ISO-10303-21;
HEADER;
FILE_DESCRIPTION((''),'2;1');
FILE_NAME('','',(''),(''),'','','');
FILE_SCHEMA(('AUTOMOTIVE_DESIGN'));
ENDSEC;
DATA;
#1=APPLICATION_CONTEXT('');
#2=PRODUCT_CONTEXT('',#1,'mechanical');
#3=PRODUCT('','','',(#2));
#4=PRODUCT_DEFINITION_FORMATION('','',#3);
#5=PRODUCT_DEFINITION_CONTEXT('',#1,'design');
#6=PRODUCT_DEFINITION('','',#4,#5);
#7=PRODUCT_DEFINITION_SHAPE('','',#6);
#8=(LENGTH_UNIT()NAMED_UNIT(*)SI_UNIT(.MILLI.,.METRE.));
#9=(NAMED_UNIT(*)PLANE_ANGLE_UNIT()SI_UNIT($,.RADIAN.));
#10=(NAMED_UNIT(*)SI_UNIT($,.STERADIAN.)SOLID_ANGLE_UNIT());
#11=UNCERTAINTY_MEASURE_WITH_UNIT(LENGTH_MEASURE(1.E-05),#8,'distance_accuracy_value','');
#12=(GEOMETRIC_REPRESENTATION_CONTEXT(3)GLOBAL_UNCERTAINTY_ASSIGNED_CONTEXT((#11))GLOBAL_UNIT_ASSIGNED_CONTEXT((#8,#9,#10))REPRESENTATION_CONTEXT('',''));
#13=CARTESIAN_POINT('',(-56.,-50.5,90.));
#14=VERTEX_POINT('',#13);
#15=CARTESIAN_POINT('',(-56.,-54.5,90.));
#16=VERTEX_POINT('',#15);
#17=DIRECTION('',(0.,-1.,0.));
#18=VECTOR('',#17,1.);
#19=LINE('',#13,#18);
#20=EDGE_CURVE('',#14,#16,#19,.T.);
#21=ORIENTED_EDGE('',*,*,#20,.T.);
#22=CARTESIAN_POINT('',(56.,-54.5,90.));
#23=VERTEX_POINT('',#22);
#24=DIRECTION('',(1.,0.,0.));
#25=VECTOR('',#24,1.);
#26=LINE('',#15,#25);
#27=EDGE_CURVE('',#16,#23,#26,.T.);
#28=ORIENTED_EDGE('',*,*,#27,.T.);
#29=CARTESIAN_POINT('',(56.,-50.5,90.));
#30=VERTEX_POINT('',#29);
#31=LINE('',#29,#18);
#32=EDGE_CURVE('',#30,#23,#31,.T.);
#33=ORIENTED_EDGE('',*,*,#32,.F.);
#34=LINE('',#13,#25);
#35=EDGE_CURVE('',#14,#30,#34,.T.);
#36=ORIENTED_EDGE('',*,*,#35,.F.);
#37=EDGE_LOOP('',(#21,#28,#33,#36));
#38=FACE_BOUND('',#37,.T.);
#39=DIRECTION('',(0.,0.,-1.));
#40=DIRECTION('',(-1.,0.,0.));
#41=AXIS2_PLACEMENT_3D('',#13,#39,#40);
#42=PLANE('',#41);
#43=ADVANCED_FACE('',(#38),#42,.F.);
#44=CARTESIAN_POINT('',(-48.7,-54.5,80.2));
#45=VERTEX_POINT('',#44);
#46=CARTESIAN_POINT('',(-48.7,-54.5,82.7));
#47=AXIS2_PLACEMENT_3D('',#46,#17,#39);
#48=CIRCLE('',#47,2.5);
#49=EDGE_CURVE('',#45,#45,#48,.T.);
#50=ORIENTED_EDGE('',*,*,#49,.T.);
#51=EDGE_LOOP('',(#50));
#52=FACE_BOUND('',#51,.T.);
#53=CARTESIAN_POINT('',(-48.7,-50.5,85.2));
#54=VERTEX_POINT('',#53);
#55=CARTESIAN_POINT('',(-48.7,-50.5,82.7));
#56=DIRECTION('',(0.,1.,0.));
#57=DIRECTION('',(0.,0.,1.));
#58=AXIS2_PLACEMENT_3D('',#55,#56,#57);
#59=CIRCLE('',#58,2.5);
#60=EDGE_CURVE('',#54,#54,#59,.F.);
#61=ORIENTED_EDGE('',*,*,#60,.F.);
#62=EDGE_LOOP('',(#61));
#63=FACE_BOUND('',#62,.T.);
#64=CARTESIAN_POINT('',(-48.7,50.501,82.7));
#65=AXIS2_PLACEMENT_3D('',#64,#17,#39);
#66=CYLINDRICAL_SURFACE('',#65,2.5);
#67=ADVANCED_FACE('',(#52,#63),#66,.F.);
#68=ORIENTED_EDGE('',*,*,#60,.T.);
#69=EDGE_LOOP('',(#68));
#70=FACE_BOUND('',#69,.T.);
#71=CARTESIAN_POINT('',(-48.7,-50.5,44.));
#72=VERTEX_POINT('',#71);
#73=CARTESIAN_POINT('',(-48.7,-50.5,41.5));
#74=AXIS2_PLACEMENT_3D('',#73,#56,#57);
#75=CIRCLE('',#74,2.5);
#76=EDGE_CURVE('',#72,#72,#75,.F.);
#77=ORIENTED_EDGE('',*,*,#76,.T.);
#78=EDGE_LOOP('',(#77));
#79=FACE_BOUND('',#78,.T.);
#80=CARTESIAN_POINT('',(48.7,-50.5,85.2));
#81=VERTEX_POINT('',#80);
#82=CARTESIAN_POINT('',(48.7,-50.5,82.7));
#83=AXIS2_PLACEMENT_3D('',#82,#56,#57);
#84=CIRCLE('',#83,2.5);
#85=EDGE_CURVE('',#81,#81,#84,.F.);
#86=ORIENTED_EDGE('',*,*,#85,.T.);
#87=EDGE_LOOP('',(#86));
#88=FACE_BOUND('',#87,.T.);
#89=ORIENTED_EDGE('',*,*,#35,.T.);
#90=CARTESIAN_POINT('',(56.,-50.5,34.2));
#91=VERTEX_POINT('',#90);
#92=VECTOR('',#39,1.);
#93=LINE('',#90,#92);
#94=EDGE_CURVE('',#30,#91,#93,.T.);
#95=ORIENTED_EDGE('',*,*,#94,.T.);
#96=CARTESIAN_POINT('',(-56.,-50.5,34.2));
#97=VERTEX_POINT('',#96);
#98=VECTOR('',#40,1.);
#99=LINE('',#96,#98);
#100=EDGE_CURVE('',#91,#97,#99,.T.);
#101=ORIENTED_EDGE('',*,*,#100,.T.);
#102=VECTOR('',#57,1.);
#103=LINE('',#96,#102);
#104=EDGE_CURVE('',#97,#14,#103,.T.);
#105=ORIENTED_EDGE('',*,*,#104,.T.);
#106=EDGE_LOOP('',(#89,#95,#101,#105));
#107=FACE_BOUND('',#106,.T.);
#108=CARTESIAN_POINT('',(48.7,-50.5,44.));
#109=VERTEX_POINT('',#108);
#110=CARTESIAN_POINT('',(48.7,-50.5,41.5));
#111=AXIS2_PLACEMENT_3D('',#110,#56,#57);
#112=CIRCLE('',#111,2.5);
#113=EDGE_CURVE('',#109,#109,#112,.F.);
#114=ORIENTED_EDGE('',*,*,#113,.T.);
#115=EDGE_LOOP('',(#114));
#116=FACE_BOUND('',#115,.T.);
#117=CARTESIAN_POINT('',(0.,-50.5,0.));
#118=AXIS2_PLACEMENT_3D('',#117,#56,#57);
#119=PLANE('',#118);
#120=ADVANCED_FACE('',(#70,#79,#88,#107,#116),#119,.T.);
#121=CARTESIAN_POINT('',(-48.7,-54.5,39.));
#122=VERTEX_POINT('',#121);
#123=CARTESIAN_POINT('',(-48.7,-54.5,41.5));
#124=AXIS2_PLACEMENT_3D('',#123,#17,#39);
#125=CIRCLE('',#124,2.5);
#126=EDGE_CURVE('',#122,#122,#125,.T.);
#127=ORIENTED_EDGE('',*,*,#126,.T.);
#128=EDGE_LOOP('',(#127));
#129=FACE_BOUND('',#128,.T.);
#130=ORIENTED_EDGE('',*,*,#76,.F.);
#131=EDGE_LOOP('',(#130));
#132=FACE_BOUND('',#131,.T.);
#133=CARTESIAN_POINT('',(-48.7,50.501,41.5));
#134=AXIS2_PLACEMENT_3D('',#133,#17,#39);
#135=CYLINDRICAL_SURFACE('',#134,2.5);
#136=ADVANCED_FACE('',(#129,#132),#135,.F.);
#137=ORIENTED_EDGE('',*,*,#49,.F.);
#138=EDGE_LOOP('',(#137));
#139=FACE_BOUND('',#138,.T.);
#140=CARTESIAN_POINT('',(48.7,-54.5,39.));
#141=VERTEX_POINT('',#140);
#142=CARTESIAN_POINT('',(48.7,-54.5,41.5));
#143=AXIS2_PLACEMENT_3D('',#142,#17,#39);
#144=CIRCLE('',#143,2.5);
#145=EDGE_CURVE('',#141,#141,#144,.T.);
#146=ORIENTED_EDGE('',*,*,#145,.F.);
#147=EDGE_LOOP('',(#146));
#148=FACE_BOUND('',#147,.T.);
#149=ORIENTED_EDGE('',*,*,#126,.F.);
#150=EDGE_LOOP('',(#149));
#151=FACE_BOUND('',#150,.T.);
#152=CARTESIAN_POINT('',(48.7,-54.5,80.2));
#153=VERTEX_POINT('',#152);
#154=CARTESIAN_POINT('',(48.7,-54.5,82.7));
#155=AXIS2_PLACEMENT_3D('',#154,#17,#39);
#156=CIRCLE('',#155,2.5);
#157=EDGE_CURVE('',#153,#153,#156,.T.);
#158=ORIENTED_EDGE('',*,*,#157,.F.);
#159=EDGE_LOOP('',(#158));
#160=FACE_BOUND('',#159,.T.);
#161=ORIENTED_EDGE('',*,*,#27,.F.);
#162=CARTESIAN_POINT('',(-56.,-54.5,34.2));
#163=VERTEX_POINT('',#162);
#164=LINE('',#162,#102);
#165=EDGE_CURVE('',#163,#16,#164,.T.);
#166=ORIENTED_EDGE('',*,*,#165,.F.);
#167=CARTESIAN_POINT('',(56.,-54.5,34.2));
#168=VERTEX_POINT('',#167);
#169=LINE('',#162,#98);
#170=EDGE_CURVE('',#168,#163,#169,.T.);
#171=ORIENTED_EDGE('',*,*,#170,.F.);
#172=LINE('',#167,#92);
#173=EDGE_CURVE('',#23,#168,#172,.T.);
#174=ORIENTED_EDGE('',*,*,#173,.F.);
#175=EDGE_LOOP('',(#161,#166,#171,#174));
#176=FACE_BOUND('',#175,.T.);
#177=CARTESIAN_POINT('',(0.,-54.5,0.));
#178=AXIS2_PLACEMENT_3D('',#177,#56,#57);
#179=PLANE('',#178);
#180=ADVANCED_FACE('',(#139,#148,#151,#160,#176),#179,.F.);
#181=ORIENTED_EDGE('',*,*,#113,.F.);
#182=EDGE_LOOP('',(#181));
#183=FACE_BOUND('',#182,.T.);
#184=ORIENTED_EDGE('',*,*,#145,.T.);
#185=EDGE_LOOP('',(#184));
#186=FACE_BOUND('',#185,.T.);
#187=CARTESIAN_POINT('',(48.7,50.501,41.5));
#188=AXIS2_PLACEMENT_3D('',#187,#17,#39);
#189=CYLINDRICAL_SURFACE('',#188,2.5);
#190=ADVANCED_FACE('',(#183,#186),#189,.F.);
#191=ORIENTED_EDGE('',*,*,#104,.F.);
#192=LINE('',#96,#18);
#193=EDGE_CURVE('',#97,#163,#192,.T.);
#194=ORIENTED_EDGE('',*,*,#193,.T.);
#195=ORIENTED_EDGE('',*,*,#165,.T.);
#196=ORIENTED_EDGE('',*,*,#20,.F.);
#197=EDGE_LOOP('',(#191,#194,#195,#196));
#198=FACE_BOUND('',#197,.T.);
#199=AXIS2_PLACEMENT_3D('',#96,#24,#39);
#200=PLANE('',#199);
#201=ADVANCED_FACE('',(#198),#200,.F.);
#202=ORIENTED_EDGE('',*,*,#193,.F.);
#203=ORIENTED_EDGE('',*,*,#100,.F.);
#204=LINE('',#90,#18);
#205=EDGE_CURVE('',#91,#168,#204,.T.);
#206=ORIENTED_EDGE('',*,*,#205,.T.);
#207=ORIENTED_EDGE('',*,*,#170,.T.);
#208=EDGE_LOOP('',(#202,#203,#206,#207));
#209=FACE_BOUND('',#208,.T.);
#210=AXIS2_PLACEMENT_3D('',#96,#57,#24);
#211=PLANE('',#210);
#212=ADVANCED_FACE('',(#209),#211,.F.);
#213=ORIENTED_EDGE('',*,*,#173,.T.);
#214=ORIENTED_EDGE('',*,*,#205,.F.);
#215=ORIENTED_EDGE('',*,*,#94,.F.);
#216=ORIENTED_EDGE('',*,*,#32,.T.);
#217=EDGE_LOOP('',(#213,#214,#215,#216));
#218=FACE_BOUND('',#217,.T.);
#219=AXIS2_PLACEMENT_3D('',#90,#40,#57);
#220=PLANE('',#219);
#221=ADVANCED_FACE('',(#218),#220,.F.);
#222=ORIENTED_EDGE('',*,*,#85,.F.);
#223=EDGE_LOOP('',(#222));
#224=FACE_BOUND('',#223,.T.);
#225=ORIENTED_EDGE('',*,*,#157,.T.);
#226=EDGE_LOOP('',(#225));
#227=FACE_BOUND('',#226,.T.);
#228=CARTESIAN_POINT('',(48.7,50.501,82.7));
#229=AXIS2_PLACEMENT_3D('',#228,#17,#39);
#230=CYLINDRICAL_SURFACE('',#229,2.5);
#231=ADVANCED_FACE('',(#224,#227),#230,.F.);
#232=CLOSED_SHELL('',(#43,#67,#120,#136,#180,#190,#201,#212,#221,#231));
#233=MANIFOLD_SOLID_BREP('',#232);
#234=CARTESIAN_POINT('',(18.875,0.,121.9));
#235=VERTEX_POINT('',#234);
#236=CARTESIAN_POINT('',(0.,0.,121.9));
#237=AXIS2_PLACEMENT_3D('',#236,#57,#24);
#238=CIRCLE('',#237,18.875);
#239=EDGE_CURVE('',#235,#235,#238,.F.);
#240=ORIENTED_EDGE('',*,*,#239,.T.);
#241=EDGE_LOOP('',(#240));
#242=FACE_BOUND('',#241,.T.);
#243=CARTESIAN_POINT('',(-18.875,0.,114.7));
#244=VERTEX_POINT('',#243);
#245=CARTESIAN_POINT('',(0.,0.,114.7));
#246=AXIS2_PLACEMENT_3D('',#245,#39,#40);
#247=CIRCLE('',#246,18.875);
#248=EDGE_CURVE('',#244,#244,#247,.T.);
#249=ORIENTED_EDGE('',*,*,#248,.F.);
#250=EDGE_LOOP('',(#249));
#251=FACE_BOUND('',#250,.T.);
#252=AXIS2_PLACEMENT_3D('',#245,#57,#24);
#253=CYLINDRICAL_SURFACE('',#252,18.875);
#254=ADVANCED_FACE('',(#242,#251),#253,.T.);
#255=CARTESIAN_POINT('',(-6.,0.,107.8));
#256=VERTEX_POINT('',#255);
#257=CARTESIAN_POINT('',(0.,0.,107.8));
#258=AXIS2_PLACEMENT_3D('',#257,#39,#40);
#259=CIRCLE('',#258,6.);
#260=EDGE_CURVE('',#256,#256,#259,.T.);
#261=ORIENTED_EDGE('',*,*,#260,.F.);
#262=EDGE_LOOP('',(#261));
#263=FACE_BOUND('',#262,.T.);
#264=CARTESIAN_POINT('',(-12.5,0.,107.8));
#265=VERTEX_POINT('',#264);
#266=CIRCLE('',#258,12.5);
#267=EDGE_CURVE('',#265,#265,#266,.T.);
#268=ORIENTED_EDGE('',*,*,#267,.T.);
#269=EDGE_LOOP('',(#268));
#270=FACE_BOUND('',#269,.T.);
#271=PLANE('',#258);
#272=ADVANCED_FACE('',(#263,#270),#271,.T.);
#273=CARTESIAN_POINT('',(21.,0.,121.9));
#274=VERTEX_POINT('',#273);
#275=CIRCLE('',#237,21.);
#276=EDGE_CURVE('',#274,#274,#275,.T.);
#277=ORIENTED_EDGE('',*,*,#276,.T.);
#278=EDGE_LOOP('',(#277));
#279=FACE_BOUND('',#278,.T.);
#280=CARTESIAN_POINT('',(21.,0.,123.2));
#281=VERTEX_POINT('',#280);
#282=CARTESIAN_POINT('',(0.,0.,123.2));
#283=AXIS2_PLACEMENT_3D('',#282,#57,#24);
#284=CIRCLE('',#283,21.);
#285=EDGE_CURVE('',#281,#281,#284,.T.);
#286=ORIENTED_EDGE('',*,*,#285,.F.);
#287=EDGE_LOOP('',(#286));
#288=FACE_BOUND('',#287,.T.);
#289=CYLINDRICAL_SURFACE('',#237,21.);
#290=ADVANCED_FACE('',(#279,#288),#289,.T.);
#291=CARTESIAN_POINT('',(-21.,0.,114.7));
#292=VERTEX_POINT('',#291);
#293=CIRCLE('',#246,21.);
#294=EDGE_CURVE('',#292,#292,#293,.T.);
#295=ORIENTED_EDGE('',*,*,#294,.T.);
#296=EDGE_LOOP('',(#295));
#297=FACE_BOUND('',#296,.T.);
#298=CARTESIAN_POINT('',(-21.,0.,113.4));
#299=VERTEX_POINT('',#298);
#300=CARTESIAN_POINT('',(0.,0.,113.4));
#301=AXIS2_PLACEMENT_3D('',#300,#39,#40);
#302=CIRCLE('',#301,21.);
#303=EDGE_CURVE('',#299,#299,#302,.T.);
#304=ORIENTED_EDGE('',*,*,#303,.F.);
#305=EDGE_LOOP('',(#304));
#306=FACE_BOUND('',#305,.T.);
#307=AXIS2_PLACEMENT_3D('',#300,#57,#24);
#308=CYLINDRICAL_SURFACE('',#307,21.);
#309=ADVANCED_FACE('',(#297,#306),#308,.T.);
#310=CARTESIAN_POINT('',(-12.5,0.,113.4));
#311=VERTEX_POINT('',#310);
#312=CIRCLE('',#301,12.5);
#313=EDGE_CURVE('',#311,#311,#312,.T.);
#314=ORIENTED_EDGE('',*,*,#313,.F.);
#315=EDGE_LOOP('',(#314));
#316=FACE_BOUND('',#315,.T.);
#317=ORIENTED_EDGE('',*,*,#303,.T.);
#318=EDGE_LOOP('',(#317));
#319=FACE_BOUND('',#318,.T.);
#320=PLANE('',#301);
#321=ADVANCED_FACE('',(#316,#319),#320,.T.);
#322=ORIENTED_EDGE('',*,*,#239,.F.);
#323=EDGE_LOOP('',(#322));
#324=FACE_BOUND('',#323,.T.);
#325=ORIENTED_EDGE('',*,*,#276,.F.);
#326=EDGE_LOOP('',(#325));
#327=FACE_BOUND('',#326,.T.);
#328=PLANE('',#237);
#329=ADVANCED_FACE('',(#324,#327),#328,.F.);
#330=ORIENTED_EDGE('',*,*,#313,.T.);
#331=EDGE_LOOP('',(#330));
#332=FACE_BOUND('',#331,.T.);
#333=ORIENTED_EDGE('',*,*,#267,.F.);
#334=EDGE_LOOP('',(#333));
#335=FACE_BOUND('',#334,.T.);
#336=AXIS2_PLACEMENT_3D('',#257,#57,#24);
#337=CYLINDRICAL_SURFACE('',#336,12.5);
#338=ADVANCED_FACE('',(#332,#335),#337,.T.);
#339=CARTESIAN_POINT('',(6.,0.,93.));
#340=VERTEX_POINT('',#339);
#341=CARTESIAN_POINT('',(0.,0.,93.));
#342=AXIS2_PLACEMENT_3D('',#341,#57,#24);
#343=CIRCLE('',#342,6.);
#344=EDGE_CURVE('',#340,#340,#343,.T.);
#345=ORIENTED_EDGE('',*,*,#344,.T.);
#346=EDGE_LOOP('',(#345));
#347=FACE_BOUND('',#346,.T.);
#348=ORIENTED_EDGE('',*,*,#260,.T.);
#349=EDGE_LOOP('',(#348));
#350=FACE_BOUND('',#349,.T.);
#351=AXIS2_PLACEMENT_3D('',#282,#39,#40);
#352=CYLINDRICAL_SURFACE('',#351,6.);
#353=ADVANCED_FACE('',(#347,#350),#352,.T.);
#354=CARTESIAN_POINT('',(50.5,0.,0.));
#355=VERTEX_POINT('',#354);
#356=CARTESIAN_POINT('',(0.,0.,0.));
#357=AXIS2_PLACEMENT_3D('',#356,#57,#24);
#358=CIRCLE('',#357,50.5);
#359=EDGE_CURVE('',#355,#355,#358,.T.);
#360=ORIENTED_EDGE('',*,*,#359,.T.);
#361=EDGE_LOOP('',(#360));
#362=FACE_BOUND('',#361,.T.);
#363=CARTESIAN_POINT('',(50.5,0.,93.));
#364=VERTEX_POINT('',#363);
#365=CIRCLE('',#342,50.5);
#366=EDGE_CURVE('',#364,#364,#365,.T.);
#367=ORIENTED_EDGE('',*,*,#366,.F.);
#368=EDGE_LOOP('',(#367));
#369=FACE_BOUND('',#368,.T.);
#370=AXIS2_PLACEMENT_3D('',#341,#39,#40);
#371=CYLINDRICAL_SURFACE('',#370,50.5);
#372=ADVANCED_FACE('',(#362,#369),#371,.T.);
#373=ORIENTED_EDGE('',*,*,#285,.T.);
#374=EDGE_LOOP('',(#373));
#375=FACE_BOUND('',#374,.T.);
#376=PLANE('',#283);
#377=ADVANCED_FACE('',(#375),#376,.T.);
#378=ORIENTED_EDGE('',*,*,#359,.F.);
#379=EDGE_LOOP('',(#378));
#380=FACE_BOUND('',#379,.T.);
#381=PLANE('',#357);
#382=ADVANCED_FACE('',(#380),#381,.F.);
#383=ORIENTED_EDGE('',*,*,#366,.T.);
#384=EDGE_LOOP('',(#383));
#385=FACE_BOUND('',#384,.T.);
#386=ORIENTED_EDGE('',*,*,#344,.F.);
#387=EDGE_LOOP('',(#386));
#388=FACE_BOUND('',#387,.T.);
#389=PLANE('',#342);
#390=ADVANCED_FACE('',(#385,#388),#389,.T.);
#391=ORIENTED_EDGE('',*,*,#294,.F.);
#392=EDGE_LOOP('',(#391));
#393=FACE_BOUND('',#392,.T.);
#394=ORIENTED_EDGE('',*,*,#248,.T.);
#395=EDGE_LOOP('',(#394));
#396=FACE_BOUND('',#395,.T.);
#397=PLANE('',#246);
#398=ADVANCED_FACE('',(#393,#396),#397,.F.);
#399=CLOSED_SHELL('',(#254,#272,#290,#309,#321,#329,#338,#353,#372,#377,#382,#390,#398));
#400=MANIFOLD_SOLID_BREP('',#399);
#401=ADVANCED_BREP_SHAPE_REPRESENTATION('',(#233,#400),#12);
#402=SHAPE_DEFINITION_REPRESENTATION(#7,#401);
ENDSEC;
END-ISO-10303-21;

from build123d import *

# Parameters (mm, degrees)
SKETCH1_R           = 50.5
BOSS_EXTRUDE1_DEPTH = 93
SKETCH2_R           = 6
BOSS_EXTRUDE2_DEPTH = 30.2
SKETCH3_R           = 21
BOSS_EXTRUDE3_DEPTH = 1.3
SKETCH4_R           = 18.875
BOSS_EXTRUDE4_DEPTH = 7.2
SKETCH5_R           = 21
BOSS_EXTRUDE5_DEPTH = 1.3
SKETCH6_R           = 12.5
BOSS_EXTRUDE6_DEPTH = 5.6
SKETCH9_W           = 112
SKETCH9_H           = 55.8
BOSS_EXTRUDE7_DEPTH = 4
SKETCH10_R          = 2.5
CUT_EXTRUDE1_DEPTH  = 4


with BuildPart() as part:
    # Sketch1 → Boss-Extrude1 (new body)
    with BuildSketch(Plane.XY):
        Circle(SKETCH1_R)
    extrude(amount=BOSS_EXTRUDE1_DEPTH)

    # Sketch2 → Boss-Extrude2 (add)
    with BuildSketch(Plane.XY.offset(93)):
        Circle(SKETCH2_R)
    extrude(amount=BOSS_EXTRUDE2_DEPTH)

    # Sketch3 → Boss-Extrude3 (add)
    with BuildSketch(Plane.XY.offset(123.2)):
        Circle(SKETCH3_R)
    extrude(amount=-BOSS_EXTRUDE3_DEPTH)

    # Sketch4 → Boss-Extrude4 (add)
    with BuildSketch(Plane(origin=(0, 0, 121.9), x_dir=(-1, 0, 0), z_dir=(0, 0, -1))):
        Circle(SKETCH4_R)
    extrude(amount=BOSS_EXTRUDE4_DEPTH)

    # Sketch5 → Boss-Extrude5 (add)
    with BuildSketch(Plane(origin=(0, 0, 114.7), x_dir=(-1, 0, 0), z_dir=(0, 0, -1))):
        Circle(SKETCH5_R)
    extrude(amount=BOSS_EXTRUDE5_DEPTH)

    # Sketch6 → Boss-Extrude6 (add)
    with BuildSketch(Plane(origin=(0, 0, 113.4), x_dir=(-1, 0, 0), z_dir=(0, 0, -1))):
        Circle(SKETCH6_R)
    extrude(amount=BOSS_EXTRUDE6_DEPTH)


with BuildPart() as body_2:
    # Sketch9 → Boss-Extrude7 (new body)
    with BuildSketch(Plane(origin=(0, -54.5, 0), x_dir=(1, 0, 0), z_dir=(0, 1, 0))):
        with Locations((0, -62.1)):
            Rectangle(SKETCH9_W, SKETCH9_H)
    extrude(amount=BOSS_EXTRUDE7_DEPTH)

    # Sketch10 → Cut-Extrude1 (cut)
    with BuildSketch(Plane.XZ.offset(54.5)):
        with Locations((48.7, 82.7)):
            Circle(SKETCH10_R)
        with Locations((48.7, 41.5)):
            Circle(SKETCH10_R)
        with Locations((-48.7, 82.7)):
            Circle(SKETCH10_R)
        with Locations((-48.7, 41.5)):
            Circle(SKETCH10_R)
    extrude(amount=-CUT_EXTRUDE1_DEPTH, mode=Mode.SUBTRACT)


solid = Compound([part.part, body_2.part])
